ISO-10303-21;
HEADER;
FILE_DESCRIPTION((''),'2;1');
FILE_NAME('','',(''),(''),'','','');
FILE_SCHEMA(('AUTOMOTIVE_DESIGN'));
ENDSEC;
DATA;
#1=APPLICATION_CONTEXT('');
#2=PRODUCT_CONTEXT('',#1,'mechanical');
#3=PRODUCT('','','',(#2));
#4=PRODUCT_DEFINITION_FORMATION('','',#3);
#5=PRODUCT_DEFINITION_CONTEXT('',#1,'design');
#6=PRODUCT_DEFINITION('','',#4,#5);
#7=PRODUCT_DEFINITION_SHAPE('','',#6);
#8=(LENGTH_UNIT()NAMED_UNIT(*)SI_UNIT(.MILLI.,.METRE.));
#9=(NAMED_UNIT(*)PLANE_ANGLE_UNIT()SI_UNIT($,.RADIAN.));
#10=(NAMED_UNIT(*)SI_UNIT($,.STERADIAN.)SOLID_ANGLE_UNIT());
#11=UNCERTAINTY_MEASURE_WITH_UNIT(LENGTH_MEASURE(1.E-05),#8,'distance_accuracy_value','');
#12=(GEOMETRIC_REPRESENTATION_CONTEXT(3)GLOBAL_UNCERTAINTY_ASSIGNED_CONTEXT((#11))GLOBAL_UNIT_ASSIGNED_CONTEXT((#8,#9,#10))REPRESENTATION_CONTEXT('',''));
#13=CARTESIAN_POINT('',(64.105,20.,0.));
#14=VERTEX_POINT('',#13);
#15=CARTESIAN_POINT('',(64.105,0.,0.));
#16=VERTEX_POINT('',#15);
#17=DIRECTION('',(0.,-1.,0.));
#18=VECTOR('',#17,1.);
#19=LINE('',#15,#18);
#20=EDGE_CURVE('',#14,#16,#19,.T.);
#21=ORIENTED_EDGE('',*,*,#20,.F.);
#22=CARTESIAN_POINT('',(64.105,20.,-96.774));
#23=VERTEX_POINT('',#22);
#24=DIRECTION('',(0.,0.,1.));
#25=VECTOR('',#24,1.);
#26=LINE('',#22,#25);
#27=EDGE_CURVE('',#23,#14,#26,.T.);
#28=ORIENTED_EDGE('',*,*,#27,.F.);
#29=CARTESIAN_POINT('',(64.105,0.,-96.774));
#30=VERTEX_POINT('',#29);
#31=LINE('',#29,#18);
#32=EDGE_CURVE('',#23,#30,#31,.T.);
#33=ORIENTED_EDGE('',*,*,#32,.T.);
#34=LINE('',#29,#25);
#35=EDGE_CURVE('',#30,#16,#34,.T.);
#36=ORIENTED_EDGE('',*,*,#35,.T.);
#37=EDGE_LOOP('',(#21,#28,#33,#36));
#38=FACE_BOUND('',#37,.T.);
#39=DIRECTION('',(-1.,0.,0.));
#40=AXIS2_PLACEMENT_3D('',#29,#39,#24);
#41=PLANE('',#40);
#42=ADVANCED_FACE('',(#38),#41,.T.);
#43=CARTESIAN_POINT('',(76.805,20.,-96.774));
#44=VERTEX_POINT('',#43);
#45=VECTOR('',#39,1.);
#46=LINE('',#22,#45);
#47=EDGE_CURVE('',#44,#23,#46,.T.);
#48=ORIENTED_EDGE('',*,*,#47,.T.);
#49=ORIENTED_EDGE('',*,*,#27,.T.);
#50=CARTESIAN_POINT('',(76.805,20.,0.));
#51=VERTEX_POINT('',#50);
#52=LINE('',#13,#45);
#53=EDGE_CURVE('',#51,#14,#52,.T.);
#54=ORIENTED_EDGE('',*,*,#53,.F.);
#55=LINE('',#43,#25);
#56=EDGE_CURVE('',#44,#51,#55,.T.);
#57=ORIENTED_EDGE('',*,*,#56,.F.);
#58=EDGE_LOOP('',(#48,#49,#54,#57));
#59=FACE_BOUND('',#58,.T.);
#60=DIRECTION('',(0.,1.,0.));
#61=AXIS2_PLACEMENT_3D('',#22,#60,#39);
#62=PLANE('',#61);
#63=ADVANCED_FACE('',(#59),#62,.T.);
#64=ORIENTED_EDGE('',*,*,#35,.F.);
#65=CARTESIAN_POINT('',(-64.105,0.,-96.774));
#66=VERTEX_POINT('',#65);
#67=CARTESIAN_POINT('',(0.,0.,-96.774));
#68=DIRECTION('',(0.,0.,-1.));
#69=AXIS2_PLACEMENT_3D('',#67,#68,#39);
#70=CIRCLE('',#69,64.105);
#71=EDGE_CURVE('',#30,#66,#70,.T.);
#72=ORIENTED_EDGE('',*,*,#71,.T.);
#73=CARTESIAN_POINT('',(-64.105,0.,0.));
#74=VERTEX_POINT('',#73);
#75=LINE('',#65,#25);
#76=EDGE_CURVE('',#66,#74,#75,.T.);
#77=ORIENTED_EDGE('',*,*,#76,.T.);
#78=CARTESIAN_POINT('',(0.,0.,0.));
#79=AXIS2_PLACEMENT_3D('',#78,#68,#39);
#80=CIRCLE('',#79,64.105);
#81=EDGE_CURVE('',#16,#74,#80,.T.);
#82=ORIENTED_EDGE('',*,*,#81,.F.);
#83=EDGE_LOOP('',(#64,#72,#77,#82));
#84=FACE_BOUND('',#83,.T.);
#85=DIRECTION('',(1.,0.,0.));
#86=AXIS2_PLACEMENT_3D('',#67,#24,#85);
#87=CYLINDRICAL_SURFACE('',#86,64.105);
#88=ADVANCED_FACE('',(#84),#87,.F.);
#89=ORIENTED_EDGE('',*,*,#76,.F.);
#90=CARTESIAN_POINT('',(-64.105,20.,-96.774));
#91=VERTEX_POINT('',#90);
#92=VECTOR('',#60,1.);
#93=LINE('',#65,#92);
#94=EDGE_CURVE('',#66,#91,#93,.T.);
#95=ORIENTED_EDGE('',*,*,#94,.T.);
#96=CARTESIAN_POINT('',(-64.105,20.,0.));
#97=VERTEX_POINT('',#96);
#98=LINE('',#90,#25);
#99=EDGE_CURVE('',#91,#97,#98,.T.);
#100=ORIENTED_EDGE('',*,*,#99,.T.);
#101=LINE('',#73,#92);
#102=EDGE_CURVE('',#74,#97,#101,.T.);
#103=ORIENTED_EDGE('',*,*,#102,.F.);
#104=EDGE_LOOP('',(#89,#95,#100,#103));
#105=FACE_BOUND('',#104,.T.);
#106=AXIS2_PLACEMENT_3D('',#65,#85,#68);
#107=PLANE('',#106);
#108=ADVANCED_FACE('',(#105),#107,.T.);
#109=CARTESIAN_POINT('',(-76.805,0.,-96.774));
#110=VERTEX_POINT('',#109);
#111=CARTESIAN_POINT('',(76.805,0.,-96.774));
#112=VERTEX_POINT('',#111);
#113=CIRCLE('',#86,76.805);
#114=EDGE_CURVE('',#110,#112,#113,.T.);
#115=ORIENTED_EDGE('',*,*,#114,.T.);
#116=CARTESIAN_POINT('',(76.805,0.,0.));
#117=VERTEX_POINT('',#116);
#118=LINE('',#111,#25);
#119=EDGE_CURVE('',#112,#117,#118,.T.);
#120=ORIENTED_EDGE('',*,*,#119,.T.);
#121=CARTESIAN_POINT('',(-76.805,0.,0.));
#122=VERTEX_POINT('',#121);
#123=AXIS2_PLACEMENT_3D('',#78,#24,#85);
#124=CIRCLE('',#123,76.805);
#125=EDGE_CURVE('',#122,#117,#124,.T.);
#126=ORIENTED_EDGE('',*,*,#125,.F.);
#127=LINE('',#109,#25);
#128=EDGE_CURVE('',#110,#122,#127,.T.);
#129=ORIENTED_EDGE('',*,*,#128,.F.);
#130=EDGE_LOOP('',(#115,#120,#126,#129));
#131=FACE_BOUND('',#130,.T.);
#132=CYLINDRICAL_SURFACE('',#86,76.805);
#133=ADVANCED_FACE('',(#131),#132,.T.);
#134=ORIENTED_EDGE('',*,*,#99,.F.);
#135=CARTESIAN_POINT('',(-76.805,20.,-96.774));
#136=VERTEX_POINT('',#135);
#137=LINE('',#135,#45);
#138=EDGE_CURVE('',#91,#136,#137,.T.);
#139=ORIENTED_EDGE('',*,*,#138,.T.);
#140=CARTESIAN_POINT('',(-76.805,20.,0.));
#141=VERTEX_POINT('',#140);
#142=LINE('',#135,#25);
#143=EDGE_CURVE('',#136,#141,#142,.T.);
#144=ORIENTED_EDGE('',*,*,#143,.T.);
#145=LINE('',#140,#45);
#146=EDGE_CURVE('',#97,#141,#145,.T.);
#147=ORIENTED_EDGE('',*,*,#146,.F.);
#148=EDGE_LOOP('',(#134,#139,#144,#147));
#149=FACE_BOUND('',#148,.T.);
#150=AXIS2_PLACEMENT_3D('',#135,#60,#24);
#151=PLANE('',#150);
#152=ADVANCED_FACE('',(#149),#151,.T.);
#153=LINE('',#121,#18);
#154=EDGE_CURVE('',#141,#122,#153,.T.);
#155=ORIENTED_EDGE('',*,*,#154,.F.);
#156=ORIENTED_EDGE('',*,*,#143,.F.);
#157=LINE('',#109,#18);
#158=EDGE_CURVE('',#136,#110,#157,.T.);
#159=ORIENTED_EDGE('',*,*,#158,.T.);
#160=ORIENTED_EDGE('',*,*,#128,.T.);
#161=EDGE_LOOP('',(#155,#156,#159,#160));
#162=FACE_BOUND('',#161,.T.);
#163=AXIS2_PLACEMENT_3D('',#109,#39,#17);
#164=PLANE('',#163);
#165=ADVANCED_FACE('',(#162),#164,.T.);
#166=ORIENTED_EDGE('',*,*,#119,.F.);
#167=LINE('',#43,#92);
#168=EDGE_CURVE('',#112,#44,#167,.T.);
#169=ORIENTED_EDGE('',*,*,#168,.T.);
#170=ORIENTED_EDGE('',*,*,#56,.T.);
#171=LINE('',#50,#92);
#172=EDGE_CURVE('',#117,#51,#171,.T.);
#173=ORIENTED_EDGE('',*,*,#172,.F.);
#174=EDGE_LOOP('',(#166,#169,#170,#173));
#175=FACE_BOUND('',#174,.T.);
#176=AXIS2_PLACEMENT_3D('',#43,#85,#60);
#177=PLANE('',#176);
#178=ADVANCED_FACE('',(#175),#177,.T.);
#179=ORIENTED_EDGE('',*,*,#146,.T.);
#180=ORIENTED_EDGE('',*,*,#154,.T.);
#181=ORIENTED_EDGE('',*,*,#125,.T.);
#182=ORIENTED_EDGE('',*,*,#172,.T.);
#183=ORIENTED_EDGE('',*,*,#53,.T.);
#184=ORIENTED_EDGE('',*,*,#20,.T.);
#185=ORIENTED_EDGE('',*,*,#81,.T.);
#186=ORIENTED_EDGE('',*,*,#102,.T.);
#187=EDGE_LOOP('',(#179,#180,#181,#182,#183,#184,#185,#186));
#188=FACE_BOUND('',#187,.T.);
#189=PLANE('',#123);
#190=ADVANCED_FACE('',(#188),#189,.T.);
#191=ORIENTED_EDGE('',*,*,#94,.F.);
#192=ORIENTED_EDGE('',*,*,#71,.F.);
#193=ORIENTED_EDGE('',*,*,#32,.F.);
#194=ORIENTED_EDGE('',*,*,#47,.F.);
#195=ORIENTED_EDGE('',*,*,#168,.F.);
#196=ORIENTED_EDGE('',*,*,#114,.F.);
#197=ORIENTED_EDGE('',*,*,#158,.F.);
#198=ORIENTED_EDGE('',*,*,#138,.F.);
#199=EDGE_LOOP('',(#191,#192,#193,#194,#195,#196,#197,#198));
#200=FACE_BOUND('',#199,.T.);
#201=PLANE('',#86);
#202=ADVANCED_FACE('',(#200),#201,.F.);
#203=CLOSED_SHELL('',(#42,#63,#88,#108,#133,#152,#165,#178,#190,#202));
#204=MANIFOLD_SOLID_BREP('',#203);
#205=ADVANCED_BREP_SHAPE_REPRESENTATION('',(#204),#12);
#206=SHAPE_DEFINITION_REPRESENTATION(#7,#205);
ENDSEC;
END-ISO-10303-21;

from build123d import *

# Parameters (mm, degrees)
BOSS_EXTRUDE1_DEPTH = 96.774


with BuildPart() as part:
    # Sketch1 → Boss-Extrude1 (new body)
    with BuildSketch(Plane.XY):
        with BuildLine():
            Line((76.805, 20), (76.805, 0))
            ThreePointArc((76.805, 0), (0, -76.805), (-76.805, 0))
            Line((-76.805, 0), (-76.805, 20))
            Line((-76.805, 20), (-64.105, 20))
            Line((-64.105, 20), (-64.105, 0))
            ThreePointArc((-64.105, 0), (0, -64.105), (64.105, 0))
            Line((64.105, 0), (64.105, 20))
            Line((64.105, 20), (76.805, 20))
        make_face()
    extrude(amount=-BOSS_EXTRUDE1_DEPTH)


solid = part.part
